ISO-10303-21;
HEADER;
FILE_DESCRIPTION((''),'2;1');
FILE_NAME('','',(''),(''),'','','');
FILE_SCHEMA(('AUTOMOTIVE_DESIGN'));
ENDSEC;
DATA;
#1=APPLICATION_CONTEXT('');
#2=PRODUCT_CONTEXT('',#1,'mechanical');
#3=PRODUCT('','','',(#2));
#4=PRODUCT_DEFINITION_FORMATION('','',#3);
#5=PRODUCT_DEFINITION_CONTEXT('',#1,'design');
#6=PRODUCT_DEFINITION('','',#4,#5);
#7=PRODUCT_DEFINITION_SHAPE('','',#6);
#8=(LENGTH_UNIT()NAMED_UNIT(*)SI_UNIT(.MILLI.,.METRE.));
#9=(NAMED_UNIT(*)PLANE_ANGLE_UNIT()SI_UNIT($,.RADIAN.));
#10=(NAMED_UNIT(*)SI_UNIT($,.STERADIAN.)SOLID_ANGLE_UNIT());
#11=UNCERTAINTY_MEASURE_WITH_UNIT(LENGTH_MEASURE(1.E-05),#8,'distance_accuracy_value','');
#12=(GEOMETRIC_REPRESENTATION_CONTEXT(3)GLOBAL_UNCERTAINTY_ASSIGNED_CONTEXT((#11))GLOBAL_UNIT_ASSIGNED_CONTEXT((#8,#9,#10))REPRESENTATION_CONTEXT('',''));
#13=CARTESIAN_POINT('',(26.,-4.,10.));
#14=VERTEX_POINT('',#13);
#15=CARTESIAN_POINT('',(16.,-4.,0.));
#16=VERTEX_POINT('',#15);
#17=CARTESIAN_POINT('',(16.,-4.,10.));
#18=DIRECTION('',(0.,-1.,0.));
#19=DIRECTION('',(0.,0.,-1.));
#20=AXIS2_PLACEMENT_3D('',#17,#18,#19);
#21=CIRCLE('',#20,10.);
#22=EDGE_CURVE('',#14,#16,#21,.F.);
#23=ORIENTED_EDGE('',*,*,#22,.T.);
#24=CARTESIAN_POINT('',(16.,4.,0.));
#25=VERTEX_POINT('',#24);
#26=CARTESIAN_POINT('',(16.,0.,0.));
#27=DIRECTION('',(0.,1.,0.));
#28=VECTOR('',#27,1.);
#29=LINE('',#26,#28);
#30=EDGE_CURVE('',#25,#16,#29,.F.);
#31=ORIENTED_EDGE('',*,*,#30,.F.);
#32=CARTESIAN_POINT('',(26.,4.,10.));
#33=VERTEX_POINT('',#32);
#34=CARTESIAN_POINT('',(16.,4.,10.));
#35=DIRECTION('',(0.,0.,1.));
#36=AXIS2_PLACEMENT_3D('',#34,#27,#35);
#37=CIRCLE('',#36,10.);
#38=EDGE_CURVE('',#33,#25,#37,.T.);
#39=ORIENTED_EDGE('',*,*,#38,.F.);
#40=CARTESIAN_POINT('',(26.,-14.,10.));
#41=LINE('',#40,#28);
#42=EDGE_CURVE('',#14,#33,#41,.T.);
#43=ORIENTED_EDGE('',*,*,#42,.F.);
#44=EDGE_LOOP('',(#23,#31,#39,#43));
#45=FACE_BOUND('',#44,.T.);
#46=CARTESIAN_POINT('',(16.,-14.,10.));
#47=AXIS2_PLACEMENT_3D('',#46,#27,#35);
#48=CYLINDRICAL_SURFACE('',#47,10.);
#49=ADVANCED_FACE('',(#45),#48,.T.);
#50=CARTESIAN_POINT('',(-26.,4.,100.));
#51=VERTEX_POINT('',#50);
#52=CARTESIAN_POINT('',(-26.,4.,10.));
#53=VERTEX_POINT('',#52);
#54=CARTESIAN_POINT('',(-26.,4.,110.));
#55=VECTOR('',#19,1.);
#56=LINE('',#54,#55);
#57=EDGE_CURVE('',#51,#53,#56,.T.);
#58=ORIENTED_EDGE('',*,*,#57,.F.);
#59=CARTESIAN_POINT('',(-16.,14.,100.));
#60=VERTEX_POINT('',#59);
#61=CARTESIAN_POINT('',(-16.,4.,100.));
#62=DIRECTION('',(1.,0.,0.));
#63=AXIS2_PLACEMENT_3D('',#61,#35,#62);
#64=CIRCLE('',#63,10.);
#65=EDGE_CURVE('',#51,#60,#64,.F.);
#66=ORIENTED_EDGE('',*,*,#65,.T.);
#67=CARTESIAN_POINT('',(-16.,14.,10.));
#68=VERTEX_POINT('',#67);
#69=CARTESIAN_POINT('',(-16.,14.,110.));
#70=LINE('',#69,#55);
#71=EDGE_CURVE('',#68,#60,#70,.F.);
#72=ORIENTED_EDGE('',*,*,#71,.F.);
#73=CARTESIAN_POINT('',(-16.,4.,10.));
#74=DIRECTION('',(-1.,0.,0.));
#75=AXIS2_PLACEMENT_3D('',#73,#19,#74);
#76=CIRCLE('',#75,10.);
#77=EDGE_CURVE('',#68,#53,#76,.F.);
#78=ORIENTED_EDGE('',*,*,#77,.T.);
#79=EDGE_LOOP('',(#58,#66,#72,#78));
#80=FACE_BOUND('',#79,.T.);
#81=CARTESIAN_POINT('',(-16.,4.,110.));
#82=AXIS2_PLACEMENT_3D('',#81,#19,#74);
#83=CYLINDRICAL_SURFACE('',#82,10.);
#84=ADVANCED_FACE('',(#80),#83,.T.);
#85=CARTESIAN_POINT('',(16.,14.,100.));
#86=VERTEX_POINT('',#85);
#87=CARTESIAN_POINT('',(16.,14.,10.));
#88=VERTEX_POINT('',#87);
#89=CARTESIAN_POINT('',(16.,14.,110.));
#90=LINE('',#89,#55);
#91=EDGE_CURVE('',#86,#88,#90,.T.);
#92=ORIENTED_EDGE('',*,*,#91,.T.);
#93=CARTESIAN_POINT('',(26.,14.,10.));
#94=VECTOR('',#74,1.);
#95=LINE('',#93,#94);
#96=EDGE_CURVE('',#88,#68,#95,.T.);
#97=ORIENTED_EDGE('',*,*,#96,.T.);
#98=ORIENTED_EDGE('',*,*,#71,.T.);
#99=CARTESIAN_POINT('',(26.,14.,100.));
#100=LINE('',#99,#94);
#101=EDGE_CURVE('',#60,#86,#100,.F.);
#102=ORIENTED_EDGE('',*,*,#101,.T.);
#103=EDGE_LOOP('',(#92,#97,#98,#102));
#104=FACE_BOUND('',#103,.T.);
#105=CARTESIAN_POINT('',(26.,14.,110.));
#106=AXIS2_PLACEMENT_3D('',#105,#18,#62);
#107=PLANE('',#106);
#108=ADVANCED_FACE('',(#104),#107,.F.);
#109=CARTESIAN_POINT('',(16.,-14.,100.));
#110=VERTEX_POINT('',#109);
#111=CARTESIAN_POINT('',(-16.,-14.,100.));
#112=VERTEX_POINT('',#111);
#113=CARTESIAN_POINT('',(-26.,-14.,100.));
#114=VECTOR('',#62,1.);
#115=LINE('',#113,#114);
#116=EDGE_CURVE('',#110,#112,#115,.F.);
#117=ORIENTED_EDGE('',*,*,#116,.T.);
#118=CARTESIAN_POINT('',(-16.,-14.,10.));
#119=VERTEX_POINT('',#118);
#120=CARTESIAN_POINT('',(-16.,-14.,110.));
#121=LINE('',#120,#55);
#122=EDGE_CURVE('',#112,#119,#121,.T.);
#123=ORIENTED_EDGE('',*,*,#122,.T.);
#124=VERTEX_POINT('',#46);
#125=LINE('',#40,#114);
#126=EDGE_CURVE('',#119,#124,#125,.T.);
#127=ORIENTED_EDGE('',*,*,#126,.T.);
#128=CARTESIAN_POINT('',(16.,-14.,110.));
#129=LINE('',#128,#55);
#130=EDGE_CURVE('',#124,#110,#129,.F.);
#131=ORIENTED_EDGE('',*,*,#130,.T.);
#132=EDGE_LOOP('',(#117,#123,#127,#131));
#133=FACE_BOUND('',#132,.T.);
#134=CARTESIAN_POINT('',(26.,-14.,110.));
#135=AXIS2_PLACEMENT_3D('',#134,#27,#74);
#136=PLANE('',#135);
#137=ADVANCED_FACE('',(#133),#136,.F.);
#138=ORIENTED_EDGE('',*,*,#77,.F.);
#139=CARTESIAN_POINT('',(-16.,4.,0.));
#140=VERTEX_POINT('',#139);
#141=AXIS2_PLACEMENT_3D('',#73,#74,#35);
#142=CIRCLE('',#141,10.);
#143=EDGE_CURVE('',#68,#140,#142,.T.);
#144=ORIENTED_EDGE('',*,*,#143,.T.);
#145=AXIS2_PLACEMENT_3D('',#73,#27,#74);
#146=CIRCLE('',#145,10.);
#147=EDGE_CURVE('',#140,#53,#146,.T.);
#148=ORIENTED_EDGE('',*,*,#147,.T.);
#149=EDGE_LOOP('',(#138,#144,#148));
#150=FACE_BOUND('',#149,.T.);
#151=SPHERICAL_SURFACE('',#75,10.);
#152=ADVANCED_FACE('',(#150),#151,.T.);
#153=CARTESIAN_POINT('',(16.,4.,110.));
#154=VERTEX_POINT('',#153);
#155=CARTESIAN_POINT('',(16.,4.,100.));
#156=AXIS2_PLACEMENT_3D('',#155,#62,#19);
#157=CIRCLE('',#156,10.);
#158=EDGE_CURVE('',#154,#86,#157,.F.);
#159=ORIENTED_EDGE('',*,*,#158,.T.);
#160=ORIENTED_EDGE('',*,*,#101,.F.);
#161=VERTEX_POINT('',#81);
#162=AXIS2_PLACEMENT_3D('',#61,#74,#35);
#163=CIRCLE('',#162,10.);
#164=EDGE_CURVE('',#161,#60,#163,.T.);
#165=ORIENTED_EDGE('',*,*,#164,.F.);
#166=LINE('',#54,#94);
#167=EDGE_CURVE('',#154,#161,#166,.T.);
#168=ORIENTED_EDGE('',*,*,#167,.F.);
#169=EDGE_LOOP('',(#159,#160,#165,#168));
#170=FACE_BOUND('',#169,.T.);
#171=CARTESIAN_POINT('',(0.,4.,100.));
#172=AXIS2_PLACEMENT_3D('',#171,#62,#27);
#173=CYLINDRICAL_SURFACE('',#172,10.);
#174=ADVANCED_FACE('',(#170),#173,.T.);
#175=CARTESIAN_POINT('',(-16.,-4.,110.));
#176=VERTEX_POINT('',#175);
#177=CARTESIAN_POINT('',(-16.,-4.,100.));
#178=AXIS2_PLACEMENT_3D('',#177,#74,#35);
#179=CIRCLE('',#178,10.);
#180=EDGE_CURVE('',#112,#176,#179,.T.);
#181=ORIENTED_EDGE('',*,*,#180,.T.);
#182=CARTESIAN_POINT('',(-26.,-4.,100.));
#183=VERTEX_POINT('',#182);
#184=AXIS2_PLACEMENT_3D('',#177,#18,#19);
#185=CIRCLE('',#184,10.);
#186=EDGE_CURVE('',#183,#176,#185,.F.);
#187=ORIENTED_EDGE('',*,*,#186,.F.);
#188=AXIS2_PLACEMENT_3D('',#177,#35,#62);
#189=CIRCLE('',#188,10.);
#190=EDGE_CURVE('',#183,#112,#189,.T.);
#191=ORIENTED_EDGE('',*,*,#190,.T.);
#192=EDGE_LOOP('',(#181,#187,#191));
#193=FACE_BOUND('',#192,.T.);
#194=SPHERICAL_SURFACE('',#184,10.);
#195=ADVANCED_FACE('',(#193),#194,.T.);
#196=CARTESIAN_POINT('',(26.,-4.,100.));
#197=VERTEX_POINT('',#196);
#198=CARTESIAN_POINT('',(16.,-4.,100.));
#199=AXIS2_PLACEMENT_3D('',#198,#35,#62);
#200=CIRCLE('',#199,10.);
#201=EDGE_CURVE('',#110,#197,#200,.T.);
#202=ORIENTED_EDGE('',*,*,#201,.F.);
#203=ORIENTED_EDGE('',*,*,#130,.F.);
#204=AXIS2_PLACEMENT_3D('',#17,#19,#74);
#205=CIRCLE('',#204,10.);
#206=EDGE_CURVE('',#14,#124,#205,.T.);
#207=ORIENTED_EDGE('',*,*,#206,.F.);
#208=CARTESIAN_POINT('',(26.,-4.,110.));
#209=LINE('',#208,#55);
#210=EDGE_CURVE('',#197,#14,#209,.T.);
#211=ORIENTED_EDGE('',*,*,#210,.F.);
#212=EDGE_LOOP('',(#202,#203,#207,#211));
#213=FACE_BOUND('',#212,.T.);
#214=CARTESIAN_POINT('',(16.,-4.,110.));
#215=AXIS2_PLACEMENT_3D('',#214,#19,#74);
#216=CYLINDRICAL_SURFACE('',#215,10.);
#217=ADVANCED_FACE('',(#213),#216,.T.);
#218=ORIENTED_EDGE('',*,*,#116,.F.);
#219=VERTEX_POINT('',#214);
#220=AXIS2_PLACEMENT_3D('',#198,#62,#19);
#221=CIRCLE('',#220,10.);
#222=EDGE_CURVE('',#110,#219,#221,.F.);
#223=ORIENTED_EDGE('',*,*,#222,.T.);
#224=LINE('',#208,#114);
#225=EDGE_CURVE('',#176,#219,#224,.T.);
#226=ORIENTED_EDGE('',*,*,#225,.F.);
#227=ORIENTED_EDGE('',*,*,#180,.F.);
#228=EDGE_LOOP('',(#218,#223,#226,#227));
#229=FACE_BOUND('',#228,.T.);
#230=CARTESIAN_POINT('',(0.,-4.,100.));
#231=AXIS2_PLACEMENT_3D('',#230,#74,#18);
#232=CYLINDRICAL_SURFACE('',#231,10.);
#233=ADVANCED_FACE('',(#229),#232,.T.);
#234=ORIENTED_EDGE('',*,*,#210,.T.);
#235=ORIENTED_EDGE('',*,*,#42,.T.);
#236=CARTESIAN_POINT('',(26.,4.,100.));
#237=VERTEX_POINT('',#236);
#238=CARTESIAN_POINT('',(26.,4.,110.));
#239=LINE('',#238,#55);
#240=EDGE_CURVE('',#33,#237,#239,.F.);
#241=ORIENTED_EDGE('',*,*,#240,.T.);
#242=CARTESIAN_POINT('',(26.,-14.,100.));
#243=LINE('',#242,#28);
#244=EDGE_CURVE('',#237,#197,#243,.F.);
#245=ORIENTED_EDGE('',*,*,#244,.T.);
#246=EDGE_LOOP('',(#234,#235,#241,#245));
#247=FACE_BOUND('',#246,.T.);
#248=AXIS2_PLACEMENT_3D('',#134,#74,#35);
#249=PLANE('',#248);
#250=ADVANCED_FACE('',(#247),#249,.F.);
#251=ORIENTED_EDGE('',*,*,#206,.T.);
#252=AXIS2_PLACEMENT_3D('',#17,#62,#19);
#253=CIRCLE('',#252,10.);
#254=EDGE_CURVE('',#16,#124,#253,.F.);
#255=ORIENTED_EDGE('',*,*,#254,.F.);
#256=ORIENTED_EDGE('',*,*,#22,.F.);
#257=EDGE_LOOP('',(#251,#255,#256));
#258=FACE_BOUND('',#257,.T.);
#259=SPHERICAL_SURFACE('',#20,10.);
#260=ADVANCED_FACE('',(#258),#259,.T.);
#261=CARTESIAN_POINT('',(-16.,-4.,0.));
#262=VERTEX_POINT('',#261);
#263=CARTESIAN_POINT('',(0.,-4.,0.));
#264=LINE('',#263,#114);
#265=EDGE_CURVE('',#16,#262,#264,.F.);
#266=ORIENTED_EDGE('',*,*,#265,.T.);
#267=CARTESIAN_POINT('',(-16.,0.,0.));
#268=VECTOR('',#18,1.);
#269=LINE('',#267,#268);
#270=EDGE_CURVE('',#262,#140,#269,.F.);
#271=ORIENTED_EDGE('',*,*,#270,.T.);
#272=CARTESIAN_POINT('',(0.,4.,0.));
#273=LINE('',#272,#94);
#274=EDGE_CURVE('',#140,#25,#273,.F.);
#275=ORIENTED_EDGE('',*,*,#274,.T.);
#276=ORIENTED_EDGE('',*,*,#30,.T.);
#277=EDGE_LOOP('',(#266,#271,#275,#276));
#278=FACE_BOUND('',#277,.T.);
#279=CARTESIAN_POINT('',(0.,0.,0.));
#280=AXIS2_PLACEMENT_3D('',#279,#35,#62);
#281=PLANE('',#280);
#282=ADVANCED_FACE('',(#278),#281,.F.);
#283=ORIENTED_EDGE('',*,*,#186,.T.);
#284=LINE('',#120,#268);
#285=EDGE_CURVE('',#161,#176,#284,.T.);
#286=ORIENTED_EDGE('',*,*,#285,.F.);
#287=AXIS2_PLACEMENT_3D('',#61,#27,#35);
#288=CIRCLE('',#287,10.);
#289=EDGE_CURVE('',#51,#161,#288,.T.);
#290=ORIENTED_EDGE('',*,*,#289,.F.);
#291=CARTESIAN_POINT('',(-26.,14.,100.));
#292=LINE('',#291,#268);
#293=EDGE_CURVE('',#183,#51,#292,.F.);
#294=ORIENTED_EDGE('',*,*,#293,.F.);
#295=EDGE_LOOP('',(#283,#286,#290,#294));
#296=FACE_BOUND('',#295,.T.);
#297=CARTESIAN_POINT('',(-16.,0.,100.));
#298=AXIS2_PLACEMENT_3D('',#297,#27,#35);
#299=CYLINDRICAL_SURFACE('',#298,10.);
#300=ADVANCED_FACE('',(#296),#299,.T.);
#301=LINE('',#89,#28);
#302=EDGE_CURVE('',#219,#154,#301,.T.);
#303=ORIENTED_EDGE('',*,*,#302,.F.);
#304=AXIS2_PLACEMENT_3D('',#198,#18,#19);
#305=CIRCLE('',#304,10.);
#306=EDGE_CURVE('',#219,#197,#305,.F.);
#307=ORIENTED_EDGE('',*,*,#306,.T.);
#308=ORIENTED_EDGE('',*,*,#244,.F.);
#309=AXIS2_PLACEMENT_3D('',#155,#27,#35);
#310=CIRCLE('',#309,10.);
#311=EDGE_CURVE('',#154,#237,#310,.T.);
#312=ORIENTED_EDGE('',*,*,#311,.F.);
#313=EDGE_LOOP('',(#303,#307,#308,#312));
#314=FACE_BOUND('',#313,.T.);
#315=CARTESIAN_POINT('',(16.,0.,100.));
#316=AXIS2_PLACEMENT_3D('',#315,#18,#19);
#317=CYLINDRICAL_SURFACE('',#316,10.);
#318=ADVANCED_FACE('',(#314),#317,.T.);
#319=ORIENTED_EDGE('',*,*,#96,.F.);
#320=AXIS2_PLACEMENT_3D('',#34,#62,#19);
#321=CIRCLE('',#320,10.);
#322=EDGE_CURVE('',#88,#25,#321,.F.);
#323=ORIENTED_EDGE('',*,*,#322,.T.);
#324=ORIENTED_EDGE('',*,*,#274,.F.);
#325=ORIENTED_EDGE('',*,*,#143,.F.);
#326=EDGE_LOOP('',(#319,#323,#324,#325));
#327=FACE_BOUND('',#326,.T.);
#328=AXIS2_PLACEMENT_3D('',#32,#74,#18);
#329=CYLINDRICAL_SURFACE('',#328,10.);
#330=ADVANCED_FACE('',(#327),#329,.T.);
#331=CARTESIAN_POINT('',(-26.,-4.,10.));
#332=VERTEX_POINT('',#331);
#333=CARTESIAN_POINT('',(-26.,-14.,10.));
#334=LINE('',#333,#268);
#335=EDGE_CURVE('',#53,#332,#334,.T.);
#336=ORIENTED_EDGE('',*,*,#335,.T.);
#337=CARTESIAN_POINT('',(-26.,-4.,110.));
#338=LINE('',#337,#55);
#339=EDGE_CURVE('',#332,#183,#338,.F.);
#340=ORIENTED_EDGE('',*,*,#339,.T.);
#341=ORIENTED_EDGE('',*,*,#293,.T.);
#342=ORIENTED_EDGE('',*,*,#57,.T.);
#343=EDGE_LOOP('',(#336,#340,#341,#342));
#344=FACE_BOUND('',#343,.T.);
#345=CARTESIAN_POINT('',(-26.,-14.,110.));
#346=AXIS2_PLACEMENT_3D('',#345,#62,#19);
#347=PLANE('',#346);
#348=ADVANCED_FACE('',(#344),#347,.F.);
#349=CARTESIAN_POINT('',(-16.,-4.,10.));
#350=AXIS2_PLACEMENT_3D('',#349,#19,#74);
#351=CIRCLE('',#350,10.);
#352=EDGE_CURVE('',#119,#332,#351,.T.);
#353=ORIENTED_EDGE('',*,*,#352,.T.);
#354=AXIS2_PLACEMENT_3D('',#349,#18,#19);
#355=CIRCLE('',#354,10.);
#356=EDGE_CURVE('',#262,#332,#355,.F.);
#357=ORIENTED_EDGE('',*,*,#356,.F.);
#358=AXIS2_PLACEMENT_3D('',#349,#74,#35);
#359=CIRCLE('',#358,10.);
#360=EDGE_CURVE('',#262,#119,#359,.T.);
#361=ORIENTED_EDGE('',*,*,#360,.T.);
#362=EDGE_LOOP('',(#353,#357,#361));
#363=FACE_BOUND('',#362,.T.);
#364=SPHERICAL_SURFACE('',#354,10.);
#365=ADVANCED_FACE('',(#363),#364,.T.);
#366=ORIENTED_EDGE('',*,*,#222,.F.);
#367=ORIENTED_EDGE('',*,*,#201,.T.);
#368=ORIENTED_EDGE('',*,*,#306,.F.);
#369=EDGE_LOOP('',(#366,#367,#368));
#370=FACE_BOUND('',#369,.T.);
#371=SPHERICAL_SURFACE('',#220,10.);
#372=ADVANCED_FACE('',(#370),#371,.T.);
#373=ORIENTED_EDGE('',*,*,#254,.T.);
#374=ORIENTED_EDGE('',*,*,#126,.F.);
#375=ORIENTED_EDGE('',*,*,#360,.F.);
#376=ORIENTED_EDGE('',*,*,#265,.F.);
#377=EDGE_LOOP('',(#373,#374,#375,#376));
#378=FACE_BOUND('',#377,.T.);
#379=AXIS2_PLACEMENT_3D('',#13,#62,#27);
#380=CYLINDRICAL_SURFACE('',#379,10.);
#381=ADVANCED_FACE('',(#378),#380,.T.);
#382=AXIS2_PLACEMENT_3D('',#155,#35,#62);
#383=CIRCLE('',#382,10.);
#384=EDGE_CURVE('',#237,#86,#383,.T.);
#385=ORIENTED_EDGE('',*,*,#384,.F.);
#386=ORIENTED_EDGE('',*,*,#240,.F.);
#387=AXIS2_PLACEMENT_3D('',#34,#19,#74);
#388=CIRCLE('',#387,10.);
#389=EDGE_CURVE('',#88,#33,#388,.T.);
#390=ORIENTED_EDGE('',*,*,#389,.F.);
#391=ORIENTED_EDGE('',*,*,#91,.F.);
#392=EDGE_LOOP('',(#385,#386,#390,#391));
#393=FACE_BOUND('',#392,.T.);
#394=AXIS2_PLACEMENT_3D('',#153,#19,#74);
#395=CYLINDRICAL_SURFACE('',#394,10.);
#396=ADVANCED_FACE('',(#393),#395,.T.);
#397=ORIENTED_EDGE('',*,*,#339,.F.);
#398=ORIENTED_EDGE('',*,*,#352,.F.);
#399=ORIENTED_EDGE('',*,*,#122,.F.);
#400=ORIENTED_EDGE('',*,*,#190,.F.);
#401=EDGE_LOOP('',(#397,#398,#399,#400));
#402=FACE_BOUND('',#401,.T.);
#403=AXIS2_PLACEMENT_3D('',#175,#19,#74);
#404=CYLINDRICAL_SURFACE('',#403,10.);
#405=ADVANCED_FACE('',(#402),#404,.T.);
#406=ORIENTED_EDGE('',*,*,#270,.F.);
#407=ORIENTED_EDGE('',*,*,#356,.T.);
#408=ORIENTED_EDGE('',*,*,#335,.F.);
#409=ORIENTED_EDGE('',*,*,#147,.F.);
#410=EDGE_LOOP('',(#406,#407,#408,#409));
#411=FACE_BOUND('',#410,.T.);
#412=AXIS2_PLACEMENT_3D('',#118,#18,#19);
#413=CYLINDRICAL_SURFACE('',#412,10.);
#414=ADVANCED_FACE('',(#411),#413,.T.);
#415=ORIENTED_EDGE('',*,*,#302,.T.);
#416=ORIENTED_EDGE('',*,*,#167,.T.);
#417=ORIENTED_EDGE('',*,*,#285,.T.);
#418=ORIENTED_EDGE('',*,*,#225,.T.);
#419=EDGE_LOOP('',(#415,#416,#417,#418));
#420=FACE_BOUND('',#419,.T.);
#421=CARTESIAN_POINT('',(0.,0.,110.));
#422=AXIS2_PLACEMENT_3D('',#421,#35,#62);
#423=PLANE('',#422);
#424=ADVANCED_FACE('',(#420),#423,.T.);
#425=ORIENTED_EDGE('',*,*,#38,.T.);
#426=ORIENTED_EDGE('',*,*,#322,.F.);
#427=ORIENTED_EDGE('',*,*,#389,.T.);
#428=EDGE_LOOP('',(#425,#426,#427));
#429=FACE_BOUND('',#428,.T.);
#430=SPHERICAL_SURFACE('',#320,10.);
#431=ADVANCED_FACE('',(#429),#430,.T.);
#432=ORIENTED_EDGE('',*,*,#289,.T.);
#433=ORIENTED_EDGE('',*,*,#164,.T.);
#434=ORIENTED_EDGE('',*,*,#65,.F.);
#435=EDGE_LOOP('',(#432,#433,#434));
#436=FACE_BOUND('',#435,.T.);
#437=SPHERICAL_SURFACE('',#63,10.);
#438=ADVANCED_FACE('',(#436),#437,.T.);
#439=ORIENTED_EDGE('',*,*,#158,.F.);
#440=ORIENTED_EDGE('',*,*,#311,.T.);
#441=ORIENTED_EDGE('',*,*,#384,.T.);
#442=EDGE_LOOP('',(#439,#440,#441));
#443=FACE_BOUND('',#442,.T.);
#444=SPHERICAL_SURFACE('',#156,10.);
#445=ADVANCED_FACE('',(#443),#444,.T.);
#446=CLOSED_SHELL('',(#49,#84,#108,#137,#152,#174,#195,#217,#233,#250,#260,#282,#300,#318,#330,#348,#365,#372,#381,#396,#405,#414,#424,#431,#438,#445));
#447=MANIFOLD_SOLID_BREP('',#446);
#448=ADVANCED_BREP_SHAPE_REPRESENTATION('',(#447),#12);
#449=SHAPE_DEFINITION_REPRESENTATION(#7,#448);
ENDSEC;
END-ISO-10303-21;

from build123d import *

# Parameters (mm, degrees)
SKETCH_1_W      = 52
SKETCH_1_H      = 28
EXTRUDE_1_DEPTH = 110
FILLET_1_R      = 10


with BuildPart() as part:
    # ｽｹｯﾁ1 → ﾎﾞｽ - 押し出し1 (new body)
    with BuildSketch(Plane.XY):
        Rectangle(SKETCH_1_W, SKETCH_1_H)
    extrude(amount=EXTRUDE_1_DEPTH)

    # ﾌｨﾚｯﾄ1
    fillet_1_edges = [part.edges().sort_by_distance(p)[0] for p in [
        (26, 0, 110),
        (0, 14, 110),
        (-26, 0, 110),
        (0, 14, 0),
        (26, 0, 0),
        (0, -14, 0),
        (-26, 0, 0),
        (-26, 14, 55),
        (26, 14, 55),
        (26, -14, 55),
        (-26, -14, 55),
        (0, -14, 110),
    ]]
    fillet(fillet_1_edges, radius=FILLET_1_R)


solid = part.part
